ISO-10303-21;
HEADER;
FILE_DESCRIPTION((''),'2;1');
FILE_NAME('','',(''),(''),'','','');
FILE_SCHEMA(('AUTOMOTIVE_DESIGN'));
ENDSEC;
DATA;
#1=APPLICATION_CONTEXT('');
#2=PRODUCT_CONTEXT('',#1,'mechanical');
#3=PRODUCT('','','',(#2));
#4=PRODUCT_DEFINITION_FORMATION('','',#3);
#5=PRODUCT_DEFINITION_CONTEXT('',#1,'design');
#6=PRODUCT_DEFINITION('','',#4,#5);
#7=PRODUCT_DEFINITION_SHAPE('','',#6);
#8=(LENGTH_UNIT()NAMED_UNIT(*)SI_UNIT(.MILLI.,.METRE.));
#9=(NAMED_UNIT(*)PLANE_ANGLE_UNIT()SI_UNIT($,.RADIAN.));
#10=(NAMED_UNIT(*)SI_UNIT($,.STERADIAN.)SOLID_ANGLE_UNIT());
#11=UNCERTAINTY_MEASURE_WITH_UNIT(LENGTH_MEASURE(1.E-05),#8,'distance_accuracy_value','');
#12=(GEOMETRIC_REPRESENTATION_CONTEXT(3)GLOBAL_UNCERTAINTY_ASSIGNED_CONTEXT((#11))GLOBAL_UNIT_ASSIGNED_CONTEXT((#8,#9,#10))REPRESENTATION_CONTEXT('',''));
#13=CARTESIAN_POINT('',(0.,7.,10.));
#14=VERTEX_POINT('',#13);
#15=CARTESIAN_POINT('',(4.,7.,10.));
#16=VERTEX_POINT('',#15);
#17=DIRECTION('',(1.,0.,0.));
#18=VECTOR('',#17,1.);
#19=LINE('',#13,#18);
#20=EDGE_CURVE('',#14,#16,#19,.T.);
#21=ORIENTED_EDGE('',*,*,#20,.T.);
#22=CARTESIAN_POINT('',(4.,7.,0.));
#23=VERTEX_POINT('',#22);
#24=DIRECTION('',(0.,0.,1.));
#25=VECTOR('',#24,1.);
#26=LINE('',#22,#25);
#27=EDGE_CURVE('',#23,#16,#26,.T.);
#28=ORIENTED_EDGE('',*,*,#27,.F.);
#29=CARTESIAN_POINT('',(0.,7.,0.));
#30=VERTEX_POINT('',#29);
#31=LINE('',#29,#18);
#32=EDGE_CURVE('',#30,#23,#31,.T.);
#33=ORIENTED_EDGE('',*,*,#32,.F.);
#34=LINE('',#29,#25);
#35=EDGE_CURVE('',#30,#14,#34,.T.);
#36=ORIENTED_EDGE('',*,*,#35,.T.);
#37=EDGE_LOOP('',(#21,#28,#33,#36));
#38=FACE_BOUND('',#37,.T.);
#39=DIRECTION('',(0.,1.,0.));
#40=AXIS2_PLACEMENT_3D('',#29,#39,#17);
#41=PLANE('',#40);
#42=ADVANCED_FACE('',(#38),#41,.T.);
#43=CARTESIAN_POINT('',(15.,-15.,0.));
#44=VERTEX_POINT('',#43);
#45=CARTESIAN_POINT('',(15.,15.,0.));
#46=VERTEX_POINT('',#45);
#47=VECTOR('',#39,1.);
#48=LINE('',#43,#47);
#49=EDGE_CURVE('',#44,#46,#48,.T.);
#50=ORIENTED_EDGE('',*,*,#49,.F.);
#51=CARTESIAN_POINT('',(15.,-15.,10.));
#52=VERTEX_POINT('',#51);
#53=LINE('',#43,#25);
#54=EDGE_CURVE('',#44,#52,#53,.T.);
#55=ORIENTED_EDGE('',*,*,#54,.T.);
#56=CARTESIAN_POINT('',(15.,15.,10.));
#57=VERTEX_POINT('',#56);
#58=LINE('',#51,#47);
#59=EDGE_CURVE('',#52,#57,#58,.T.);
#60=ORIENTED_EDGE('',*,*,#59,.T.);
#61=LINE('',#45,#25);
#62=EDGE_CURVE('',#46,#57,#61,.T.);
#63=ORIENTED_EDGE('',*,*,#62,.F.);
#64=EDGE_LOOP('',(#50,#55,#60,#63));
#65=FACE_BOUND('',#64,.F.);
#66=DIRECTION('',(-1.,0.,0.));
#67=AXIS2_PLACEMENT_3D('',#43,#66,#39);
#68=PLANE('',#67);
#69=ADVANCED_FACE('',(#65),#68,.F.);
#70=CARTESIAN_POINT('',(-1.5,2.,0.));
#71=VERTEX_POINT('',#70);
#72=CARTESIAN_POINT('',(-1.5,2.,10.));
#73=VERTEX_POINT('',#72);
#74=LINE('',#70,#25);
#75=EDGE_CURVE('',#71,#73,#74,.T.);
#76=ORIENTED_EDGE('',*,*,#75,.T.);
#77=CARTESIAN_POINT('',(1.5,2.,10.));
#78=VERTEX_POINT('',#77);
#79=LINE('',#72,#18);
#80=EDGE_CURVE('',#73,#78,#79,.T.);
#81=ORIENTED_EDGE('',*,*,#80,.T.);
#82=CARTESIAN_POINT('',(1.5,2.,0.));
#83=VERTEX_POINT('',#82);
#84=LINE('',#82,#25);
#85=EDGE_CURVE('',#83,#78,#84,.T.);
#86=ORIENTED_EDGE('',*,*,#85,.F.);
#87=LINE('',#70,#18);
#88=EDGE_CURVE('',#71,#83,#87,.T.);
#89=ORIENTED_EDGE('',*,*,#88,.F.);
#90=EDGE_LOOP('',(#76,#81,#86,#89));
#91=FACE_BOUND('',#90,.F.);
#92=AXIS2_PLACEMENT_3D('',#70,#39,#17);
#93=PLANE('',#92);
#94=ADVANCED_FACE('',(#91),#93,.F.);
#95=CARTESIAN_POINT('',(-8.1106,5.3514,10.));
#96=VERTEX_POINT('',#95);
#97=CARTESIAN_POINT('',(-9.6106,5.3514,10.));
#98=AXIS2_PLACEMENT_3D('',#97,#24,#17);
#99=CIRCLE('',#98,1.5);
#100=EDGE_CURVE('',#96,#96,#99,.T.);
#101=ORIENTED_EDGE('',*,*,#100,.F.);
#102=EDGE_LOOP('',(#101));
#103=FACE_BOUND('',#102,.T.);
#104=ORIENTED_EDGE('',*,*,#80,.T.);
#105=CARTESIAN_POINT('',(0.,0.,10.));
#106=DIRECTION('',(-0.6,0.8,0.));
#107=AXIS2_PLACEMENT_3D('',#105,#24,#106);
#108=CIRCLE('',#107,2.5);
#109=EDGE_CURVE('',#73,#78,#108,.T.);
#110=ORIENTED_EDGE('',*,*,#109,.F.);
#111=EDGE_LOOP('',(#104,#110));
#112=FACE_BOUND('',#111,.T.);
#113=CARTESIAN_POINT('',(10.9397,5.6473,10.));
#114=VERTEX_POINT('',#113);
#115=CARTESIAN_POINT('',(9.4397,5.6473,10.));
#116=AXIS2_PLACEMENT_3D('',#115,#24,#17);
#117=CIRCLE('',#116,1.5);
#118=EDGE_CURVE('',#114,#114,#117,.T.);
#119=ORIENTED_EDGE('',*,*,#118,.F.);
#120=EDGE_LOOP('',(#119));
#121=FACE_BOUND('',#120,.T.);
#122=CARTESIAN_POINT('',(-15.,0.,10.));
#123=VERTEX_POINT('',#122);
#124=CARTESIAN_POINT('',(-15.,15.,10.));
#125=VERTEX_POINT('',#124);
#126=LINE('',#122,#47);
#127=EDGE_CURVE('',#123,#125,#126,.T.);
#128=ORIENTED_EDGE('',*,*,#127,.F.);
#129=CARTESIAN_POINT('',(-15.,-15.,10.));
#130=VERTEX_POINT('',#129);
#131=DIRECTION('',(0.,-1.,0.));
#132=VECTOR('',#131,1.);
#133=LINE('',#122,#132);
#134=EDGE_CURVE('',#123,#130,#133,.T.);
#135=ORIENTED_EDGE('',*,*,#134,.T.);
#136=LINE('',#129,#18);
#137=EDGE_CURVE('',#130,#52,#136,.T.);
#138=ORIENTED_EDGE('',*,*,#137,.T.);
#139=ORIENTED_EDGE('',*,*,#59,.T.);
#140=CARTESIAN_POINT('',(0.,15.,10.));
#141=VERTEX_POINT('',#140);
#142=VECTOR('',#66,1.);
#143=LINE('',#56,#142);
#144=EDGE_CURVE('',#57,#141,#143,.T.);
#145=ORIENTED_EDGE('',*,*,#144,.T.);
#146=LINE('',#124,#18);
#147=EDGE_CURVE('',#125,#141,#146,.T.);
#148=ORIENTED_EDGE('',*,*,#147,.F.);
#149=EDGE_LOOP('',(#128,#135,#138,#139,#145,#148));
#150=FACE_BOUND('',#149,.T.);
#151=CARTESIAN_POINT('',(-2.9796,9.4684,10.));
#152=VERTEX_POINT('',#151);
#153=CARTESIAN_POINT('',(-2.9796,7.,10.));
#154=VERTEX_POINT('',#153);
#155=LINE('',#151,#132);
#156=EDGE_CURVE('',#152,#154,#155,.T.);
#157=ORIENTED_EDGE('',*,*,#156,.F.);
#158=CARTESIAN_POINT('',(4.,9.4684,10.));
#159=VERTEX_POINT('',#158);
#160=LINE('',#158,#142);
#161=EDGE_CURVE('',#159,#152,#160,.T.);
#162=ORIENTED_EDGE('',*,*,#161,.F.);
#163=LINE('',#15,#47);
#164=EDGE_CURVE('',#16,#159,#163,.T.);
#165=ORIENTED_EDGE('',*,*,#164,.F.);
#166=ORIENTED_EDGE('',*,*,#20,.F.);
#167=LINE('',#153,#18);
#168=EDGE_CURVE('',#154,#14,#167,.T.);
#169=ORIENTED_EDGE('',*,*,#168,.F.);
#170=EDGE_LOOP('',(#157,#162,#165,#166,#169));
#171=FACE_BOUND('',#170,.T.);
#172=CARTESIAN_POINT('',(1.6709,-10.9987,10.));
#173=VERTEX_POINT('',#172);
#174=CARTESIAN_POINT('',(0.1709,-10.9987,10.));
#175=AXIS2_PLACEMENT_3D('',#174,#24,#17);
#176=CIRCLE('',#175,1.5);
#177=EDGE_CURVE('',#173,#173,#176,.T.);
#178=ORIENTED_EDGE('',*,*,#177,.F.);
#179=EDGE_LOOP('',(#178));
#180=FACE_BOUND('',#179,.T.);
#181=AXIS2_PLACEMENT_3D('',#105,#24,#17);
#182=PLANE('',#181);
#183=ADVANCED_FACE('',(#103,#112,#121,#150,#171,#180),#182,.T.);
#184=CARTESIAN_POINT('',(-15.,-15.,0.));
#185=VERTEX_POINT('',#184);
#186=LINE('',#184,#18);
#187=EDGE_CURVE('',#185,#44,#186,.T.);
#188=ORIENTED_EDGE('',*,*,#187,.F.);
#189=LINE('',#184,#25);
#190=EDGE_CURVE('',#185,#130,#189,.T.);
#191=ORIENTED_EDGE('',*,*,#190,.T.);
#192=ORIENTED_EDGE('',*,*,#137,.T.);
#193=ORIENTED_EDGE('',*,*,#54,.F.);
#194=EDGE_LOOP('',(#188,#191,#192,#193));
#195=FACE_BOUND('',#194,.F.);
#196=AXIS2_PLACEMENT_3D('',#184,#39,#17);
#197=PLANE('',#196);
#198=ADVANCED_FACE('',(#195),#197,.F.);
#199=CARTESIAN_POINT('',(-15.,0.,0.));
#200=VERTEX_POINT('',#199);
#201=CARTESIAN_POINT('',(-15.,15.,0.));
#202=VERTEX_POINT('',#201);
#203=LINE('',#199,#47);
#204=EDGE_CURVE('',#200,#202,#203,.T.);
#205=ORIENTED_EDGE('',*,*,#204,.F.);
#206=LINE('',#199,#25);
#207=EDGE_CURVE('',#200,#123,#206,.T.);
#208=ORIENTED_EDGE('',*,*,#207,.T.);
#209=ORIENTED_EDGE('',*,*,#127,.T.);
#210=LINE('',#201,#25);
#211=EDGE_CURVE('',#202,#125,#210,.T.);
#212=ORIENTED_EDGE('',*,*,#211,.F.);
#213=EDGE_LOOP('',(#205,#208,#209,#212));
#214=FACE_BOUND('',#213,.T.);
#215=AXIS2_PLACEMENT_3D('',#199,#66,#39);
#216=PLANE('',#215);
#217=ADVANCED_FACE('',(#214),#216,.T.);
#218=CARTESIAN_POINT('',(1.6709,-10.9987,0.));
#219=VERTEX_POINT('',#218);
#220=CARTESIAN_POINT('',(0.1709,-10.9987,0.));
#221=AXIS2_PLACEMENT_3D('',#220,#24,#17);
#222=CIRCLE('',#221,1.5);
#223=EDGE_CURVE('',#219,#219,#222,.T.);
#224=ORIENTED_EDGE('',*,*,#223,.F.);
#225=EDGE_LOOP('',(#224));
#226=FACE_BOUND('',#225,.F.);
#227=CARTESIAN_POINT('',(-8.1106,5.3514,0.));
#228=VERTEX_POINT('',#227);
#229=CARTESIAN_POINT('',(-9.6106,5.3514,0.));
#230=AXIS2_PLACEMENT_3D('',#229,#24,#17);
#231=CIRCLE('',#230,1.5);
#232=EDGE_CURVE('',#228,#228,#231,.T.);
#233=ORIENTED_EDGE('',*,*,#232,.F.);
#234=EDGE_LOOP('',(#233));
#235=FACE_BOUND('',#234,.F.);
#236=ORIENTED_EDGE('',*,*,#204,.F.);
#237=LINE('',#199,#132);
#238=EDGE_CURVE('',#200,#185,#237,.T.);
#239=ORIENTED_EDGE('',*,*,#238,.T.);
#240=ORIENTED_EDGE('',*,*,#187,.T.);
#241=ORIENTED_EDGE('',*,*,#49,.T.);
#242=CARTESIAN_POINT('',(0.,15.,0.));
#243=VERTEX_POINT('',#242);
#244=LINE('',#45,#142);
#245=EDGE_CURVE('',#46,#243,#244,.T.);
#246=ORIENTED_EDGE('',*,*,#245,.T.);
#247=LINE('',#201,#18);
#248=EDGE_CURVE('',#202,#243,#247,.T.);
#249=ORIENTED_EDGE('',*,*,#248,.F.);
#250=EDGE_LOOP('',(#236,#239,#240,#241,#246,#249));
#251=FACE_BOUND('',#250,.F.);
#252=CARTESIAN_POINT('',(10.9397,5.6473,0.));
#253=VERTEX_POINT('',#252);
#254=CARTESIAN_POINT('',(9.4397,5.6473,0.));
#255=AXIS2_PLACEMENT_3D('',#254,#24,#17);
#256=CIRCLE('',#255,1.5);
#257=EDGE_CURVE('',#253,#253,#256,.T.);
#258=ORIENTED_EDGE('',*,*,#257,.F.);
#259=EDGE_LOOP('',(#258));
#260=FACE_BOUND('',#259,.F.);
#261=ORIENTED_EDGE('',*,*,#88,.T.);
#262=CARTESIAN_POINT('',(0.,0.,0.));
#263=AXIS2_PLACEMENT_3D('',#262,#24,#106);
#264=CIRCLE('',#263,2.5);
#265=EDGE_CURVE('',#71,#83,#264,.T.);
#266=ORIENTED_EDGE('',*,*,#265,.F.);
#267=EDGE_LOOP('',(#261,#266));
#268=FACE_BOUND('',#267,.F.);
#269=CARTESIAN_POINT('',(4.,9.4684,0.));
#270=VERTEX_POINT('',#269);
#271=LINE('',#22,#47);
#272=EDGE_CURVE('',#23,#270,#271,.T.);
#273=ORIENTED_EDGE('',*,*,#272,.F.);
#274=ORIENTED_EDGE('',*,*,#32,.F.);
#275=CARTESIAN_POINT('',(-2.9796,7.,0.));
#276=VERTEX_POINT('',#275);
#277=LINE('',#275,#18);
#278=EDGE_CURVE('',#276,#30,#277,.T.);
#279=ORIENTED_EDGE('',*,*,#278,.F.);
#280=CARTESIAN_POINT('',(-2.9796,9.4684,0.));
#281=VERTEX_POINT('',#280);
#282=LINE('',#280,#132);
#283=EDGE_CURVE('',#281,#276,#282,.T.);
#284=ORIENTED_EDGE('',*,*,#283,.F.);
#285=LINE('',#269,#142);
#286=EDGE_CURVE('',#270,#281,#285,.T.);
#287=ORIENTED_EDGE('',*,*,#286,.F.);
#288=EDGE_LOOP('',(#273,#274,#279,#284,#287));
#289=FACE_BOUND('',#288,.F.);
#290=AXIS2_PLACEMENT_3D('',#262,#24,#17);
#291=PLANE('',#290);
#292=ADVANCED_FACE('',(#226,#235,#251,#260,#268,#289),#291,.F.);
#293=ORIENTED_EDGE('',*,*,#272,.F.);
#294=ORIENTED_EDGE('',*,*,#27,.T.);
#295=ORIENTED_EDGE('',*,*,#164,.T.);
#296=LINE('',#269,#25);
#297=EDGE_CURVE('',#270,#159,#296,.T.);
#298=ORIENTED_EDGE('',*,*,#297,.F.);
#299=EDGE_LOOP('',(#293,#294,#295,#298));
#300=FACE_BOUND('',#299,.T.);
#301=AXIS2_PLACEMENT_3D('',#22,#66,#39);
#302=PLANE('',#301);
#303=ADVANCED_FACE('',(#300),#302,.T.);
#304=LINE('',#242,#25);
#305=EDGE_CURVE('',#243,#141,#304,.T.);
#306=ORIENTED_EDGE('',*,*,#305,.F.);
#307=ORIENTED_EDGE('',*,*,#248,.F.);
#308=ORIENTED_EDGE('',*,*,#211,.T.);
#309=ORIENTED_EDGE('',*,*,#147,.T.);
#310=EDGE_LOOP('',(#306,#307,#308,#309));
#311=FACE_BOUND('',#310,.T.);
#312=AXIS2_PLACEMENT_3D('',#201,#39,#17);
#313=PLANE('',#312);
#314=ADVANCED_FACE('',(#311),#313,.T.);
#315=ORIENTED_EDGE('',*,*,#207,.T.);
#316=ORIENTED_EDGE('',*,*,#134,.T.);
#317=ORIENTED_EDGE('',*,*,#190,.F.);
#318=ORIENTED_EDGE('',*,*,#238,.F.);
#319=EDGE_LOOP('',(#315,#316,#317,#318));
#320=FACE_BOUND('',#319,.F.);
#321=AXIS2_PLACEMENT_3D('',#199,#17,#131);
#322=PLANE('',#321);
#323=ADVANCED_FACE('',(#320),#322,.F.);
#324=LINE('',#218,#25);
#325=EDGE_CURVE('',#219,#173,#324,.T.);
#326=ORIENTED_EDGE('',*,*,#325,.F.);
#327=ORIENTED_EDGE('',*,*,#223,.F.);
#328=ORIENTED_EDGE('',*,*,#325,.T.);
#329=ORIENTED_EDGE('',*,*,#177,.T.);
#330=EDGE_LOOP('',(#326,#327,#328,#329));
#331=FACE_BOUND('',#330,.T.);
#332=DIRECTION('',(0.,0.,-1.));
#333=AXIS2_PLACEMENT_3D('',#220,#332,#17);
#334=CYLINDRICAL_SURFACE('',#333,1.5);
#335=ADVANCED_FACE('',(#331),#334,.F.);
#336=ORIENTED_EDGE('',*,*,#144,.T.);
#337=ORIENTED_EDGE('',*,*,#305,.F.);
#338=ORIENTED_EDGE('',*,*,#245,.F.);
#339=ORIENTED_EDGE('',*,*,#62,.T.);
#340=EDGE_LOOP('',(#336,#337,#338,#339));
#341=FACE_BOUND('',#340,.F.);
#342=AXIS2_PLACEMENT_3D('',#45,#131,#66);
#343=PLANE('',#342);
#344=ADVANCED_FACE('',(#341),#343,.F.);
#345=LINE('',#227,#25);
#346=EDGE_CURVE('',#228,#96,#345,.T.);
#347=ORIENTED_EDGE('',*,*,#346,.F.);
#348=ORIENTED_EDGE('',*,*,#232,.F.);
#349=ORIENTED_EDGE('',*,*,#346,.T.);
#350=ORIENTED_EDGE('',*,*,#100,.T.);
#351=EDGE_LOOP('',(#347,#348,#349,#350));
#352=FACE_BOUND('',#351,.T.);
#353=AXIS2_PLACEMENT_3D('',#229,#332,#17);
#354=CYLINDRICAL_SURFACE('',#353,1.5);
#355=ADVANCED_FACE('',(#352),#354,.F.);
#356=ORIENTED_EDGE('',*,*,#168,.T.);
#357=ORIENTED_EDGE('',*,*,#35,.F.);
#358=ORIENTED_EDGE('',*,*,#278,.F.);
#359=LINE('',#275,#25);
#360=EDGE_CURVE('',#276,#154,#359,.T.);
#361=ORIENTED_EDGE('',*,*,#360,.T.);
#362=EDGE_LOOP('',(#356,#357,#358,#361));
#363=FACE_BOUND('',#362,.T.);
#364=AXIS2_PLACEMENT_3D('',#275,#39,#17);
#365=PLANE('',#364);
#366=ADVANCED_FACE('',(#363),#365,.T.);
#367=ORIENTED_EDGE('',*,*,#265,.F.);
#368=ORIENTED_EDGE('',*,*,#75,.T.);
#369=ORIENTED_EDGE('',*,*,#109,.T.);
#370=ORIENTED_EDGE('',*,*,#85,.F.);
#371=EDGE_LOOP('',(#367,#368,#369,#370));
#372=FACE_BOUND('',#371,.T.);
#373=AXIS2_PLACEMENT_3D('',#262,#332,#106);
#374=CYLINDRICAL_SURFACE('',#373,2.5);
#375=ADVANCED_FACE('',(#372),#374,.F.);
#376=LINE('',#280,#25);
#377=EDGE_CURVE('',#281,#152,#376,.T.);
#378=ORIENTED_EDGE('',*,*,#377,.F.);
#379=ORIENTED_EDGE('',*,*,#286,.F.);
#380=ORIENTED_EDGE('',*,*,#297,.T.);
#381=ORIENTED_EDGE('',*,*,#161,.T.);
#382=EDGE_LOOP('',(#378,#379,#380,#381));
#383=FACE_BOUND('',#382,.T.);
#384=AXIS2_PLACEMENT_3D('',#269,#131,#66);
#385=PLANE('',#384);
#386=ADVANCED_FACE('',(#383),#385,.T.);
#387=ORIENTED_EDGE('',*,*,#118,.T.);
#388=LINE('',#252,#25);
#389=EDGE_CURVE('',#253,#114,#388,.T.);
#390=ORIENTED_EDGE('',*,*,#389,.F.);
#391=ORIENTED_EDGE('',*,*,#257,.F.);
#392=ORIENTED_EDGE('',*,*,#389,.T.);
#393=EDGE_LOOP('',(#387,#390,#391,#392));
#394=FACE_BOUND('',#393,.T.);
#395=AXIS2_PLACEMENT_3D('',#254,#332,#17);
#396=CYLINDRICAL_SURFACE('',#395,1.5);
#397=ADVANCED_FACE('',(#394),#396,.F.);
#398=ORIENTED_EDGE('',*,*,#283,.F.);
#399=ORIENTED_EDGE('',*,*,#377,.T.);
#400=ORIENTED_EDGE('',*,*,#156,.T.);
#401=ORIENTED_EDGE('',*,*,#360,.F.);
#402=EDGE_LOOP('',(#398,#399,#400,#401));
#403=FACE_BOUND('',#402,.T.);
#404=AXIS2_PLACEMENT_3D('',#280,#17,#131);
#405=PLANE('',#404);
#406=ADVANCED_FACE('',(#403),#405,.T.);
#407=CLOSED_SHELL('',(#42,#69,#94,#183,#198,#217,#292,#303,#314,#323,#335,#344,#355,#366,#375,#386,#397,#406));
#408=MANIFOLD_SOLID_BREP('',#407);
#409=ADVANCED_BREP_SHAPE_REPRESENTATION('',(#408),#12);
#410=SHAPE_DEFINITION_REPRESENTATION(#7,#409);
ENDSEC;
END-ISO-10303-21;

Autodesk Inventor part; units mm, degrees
ref_plane "YZ Plane" through (0, 0, 0) normal (1, 0, 0) x (0, 1, 0)
ref_plane "XZ Plane" through (0, 0, 0) normal (0, 1, 0) x (-1, 0, 0)
ref_plane "XY Plane" through (0, 0, 0) normal (0, 0, 1) x (1, 0, 0)
ref_plane "РабПлоскость2" through (0, 0, 0) normal (0, 0, 1) x (1, 0, 0)
sketch "Эскиз1" plane through (0, 0, 0) normal (0, 0, 1) x (1, 0, 0)
  line L0 (-1.5, 2) -> (1.5, 2)
  arc A0 (-1.5, 2) -> (1.5, 2) centre (0, 0) ccw
  line L1 (-15, 0) -> (-15, 15)
  line L2 (-15, 15) -> (0, 15)
  line L3 (-15, 0) -> (-15, -15)
  line L4 (-15, -15) -> (15, -15)
  line L5 (15, -15) -> (15, 15)
  line L6 (15, 15) -> (0, 15)
  circle A1 centre (-9.6106, 5.3514) radius 1.5
  circle A2 centre (0.1709, -10.9987) radius 1.5
  circle A3 centre (9.4397, 5.6473) radius 1.5
  line L7 (0, 7) -> (4, 7)
  line L8 (4, 7) -> (4, 9.4684)
  line L9 (4, 9.4684) -> (-2.9796, 9.4684)
  line L10 (-2.9796, 9.4684) -> (-2.9796, 7)
  line L11 (-2.9796, 7) -> (0, 7)
  dimension "d1" = 15
  dimension "d2" = 15
  dimension "d3" = 15
  dimension "d4" = 30
  dimension "d6" = 3
  dimension "d9" = 3
  dimension "d10" = 3
  dimension "d13" = 4
extrude "Выдавливание1" add sketch "Эскиз1" along normal blind 10
properties part number "Фланец"
